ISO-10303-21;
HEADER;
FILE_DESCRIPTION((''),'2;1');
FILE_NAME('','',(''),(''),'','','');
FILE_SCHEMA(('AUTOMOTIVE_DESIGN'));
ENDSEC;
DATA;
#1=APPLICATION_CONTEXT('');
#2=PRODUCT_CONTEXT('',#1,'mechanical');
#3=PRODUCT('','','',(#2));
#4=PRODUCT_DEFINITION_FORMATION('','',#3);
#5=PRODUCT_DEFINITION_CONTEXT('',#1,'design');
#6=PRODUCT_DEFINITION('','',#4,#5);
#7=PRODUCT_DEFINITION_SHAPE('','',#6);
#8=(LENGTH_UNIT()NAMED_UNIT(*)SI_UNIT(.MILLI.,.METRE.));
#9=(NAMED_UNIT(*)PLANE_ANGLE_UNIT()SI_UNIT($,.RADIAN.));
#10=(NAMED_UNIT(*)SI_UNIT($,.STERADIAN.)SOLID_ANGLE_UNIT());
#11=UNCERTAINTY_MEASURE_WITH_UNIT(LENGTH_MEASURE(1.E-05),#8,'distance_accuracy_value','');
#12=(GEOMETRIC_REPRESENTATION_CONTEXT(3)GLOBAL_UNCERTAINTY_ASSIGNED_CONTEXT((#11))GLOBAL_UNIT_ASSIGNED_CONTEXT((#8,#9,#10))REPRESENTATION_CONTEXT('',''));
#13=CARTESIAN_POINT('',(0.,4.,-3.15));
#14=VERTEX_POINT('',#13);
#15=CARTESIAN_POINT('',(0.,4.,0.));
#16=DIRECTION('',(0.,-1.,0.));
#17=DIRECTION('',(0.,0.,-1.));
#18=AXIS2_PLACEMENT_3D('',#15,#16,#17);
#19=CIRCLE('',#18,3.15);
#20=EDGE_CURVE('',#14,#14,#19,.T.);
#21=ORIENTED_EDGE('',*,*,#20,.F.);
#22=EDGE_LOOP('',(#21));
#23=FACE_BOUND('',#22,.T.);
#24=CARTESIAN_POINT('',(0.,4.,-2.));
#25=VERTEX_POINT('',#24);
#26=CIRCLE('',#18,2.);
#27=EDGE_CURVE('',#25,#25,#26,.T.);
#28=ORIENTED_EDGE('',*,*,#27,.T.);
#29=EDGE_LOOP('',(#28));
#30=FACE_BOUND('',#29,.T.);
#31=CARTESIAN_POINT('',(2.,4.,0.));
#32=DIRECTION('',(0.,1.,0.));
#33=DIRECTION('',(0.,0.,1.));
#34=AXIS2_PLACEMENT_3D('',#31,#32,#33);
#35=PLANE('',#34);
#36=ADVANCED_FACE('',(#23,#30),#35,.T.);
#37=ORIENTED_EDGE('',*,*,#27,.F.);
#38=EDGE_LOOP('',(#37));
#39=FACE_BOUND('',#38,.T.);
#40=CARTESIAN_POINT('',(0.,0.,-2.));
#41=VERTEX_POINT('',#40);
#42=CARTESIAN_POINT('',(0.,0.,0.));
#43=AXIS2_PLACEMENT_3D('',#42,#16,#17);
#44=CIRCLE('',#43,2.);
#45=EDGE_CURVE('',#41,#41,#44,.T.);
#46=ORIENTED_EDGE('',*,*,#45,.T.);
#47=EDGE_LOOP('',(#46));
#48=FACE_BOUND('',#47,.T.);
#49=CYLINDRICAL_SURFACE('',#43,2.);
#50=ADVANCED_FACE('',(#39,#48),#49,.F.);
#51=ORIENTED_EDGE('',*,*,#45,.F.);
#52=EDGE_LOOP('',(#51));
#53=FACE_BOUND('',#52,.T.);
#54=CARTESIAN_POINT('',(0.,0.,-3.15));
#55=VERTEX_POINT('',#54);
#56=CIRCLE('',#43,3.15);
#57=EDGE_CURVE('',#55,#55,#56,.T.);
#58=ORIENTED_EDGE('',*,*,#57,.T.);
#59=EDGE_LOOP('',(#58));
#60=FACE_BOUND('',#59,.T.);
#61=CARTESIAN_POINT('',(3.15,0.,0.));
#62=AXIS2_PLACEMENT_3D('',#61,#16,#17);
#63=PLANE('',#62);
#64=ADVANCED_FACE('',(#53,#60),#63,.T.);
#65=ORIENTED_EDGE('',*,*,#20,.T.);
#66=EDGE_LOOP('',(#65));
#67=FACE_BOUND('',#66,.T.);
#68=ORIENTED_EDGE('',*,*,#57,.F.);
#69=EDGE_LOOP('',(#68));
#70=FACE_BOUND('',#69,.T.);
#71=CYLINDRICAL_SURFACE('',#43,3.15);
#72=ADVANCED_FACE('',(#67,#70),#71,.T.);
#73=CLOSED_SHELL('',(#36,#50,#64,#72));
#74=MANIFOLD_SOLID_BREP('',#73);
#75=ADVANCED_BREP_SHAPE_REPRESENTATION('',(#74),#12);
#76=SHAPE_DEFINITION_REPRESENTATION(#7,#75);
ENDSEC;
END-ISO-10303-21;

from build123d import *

# Parameters (mm, degrees)
SKETCH1_W = 1.15
SKETCH1_H = 4


with BuildPart() as part:
    # Sketch1 → Revolve1 (revolve)
    with BuildSketch(Plane.XY):
        with Locations((2.575, 2)):
            Rectangle(SKETCH1_W, SKETCH1_H)
    revolve(axis=Axis((0, 0, 0), (0, 1, 0)))


solid = part.part
